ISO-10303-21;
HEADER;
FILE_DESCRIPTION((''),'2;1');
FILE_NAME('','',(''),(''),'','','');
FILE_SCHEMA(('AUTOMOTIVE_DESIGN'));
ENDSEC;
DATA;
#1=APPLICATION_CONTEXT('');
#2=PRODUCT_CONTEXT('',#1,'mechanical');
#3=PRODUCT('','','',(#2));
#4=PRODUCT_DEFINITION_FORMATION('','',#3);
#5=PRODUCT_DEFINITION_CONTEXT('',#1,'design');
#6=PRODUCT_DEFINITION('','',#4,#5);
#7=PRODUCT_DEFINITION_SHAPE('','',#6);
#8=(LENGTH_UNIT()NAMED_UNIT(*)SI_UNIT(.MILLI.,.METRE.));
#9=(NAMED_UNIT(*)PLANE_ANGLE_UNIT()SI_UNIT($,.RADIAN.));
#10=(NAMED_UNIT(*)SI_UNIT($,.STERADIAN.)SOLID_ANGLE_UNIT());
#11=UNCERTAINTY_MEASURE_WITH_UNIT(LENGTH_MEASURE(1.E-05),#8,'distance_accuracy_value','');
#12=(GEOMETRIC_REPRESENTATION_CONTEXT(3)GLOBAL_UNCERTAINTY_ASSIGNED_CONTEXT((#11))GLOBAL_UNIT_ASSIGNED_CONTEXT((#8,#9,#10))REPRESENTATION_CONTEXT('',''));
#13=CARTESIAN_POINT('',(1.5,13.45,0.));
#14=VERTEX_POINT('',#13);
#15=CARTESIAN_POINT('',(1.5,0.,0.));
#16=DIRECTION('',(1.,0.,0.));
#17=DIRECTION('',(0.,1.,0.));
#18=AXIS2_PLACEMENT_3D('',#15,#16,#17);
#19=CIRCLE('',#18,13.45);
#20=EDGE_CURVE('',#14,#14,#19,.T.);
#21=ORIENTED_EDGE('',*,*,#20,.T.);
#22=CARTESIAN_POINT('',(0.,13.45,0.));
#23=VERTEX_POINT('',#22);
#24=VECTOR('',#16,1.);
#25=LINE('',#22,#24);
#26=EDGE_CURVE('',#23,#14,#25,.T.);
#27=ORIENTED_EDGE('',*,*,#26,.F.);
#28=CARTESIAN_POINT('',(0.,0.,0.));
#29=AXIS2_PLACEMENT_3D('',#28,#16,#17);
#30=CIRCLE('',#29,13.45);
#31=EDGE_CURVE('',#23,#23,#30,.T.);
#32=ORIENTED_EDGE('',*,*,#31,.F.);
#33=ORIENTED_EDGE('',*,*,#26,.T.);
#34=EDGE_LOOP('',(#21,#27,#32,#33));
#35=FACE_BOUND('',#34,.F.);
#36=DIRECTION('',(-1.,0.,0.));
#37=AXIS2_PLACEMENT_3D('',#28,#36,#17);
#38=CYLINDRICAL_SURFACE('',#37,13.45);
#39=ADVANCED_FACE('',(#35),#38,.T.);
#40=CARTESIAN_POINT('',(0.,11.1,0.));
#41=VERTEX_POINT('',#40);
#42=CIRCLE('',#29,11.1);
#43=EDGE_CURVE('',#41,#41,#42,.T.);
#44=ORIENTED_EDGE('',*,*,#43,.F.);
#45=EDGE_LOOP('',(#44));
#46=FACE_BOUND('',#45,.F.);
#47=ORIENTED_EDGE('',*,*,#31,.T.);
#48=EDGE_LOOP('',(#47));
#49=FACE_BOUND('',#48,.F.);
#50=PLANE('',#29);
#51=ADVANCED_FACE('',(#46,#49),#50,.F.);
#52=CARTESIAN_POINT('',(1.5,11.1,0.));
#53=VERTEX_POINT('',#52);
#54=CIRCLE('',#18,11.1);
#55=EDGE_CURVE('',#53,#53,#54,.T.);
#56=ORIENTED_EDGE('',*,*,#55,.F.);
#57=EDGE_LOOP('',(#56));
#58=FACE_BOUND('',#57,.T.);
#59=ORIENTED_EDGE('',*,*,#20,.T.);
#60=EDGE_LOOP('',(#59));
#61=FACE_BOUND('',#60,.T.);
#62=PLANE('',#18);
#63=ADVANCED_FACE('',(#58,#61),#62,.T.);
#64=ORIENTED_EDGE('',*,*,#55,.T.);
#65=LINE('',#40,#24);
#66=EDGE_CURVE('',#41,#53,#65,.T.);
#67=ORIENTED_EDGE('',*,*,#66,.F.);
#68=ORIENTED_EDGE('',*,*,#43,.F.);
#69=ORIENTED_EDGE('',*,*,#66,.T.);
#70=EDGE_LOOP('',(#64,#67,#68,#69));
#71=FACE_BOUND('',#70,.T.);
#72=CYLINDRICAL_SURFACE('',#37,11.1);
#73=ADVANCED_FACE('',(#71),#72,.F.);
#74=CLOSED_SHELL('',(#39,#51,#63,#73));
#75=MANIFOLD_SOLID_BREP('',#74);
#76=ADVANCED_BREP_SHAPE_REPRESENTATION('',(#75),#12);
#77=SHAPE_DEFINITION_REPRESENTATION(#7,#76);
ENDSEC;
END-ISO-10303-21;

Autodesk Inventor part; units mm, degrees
ref_plane "YZ Plane" through (0, 0, 0) normal (1, 0, 0) x (0, 1, 0)
ref_plane "XZ Plane" through (0, 0, 0) normal (0, 1, 0) x (-1, 0, 0)
sketch "Эскиз" plane through (0, 0, 0) normal (1, 0, 0) x (0, 1, 0)
  circle A0 centre (0, 0) radius 13.45
  circle A1 centre (0, 0) radius 11.1
  dimension "d0" = 22.2
  dimension "d1" = 26.9
extrude "Базовый элемент" add sketch "Эскиз" along normal blind 1.5
ref_plane "Work Plane1" through (0, 0, 0) normal (0, 0, 1) x (1, 0, 0)
equation "\"d0\" = SD1"
equation "\"d1\" = SD2"
equation "\"d2\" = SD"
equation "\"SD1\" = 22.2"
equation "\"SD2\" = 26.9"
equation "\"SD\" = 1.5"
equation "\"NND\" = 22"
properties part number "DIN 7603 - A22 x 27  (lt)" material "Сталь, мягкая"
